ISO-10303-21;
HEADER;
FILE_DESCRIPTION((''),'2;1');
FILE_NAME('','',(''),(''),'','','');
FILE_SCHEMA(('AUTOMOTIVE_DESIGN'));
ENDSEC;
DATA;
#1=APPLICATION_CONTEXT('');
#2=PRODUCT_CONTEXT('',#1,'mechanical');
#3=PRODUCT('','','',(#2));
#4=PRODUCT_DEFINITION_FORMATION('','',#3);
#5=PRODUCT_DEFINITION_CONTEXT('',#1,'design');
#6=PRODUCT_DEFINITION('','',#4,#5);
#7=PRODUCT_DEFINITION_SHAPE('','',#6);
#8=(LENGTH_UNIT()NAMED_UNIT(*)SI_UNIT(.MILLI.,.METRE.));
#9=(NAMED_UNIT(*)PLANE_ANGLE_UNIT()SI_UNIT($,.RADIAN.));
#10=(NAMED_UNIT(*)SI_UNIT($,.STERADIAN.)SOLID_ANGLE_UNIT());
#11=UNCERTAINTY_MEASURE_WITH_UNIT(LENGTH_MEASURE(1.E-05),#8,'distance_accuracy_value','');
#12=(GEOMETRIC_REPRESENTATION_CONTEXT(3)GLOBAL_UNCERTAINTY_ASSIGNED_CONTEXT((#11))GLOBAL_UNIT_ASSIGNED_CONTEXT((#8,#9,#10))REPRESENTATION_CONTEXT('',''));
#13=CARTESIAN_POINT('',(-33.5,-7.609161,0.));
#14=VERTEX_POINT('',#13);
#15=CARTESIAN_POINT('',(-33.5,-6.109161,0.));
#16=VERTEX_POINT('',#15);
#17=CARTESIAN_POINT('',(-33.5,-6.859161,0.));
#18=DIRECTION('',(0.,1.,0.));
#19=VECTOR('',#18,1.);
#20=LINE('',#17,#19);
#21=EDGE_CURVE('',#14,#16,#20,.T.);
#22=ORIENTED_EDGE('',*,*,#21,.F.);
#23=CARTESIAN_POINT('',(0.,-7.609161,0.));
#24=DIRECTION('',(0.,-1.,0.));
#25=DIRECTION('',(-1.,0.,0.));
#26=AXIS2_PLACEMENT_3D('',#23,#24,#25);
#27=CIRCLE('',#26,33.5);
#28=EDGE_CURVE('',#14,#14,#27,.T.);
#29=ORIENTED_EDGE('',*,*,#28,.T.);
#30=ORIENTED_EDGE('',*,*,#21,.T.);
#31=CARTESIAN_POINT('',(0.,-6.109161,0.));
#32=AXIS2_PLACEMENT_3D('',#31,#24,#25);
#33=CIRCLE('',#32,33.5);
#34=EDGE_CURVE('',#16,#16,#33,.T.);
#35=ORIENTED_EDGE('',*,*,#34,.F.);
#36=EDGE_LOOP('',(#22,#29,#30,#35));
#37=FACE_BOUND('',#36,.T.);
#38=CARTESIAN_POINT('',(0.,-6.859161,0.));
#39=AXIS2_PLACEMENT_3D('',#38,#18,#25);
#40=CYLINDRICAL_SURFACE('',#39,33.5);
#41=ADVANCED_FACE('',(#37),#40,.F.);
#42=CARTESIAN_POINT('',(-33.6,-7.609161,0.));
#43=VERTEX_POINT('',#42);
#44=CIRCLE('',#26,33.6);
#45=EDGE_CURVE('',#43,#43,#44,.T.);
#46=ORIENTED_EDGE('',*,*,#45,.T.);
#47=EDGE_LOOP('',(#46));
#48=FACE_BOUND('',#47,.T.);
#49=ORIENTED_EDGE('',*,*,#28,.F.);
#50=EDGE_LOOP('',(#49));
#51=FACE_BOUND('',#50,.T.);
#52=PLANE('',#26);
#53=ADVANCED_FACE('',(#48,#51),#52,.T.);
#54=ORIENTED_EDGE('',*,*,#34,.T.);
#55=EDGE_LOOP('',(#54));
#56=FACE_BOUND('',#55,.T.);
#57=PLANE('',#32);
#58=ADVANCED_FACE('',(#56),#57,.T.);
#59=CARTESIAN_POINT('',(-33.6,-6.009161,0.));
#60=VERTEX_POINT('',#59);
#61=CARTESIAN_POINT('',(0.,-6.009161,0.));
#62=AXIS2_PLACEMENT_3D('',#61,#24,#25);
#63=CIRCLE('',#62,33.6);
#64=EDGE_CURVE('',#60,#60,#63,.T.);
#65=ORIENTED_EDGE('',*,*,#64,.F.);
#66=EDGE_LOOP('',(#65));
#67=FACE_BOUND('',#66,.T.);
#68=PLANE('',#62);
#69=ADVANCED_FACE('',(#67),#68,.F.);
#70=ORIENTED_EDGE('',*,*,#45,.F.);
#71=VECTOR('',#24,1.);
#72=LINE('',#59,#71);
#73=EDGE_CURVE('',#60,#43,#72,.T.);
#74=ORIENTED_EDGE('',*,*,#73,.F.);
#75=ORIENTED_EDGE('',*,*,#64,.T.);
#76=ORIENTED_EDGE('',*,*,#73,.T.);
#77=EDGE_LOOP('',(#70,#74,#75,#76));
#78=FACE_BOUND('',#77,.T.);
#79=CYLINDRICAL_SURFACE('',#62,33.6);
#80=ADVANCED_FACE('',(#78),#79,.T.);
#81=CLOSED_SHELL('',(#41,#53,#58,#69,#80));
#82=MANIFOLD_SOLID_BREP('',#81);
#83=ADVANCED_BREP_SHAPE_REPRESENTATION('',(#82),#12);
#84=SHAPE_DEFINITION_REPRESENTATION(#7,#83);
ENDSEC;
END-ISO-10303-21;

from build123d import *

# Parameters (mm, degrees)
F0_W = 0.1
F0_H = 1.5


with BuildPart() as f1:
    # F0 (on Top) → F1 (revolve)
    with BuildSketch(Plane.XY):
        with Locations((-33.55, -6.859161)):
            Rectangle(F0_W, F0_H)
        Polygon((-33.5, -6.109161), (0, -6.109161), (0, -6.009161), (-33.6, -6.009161), (-33.6, -6.109161), align=None)
    revolve(axis=Axis((0, 0.1, 0), (0, -1, 0)))


solid = f1.part
